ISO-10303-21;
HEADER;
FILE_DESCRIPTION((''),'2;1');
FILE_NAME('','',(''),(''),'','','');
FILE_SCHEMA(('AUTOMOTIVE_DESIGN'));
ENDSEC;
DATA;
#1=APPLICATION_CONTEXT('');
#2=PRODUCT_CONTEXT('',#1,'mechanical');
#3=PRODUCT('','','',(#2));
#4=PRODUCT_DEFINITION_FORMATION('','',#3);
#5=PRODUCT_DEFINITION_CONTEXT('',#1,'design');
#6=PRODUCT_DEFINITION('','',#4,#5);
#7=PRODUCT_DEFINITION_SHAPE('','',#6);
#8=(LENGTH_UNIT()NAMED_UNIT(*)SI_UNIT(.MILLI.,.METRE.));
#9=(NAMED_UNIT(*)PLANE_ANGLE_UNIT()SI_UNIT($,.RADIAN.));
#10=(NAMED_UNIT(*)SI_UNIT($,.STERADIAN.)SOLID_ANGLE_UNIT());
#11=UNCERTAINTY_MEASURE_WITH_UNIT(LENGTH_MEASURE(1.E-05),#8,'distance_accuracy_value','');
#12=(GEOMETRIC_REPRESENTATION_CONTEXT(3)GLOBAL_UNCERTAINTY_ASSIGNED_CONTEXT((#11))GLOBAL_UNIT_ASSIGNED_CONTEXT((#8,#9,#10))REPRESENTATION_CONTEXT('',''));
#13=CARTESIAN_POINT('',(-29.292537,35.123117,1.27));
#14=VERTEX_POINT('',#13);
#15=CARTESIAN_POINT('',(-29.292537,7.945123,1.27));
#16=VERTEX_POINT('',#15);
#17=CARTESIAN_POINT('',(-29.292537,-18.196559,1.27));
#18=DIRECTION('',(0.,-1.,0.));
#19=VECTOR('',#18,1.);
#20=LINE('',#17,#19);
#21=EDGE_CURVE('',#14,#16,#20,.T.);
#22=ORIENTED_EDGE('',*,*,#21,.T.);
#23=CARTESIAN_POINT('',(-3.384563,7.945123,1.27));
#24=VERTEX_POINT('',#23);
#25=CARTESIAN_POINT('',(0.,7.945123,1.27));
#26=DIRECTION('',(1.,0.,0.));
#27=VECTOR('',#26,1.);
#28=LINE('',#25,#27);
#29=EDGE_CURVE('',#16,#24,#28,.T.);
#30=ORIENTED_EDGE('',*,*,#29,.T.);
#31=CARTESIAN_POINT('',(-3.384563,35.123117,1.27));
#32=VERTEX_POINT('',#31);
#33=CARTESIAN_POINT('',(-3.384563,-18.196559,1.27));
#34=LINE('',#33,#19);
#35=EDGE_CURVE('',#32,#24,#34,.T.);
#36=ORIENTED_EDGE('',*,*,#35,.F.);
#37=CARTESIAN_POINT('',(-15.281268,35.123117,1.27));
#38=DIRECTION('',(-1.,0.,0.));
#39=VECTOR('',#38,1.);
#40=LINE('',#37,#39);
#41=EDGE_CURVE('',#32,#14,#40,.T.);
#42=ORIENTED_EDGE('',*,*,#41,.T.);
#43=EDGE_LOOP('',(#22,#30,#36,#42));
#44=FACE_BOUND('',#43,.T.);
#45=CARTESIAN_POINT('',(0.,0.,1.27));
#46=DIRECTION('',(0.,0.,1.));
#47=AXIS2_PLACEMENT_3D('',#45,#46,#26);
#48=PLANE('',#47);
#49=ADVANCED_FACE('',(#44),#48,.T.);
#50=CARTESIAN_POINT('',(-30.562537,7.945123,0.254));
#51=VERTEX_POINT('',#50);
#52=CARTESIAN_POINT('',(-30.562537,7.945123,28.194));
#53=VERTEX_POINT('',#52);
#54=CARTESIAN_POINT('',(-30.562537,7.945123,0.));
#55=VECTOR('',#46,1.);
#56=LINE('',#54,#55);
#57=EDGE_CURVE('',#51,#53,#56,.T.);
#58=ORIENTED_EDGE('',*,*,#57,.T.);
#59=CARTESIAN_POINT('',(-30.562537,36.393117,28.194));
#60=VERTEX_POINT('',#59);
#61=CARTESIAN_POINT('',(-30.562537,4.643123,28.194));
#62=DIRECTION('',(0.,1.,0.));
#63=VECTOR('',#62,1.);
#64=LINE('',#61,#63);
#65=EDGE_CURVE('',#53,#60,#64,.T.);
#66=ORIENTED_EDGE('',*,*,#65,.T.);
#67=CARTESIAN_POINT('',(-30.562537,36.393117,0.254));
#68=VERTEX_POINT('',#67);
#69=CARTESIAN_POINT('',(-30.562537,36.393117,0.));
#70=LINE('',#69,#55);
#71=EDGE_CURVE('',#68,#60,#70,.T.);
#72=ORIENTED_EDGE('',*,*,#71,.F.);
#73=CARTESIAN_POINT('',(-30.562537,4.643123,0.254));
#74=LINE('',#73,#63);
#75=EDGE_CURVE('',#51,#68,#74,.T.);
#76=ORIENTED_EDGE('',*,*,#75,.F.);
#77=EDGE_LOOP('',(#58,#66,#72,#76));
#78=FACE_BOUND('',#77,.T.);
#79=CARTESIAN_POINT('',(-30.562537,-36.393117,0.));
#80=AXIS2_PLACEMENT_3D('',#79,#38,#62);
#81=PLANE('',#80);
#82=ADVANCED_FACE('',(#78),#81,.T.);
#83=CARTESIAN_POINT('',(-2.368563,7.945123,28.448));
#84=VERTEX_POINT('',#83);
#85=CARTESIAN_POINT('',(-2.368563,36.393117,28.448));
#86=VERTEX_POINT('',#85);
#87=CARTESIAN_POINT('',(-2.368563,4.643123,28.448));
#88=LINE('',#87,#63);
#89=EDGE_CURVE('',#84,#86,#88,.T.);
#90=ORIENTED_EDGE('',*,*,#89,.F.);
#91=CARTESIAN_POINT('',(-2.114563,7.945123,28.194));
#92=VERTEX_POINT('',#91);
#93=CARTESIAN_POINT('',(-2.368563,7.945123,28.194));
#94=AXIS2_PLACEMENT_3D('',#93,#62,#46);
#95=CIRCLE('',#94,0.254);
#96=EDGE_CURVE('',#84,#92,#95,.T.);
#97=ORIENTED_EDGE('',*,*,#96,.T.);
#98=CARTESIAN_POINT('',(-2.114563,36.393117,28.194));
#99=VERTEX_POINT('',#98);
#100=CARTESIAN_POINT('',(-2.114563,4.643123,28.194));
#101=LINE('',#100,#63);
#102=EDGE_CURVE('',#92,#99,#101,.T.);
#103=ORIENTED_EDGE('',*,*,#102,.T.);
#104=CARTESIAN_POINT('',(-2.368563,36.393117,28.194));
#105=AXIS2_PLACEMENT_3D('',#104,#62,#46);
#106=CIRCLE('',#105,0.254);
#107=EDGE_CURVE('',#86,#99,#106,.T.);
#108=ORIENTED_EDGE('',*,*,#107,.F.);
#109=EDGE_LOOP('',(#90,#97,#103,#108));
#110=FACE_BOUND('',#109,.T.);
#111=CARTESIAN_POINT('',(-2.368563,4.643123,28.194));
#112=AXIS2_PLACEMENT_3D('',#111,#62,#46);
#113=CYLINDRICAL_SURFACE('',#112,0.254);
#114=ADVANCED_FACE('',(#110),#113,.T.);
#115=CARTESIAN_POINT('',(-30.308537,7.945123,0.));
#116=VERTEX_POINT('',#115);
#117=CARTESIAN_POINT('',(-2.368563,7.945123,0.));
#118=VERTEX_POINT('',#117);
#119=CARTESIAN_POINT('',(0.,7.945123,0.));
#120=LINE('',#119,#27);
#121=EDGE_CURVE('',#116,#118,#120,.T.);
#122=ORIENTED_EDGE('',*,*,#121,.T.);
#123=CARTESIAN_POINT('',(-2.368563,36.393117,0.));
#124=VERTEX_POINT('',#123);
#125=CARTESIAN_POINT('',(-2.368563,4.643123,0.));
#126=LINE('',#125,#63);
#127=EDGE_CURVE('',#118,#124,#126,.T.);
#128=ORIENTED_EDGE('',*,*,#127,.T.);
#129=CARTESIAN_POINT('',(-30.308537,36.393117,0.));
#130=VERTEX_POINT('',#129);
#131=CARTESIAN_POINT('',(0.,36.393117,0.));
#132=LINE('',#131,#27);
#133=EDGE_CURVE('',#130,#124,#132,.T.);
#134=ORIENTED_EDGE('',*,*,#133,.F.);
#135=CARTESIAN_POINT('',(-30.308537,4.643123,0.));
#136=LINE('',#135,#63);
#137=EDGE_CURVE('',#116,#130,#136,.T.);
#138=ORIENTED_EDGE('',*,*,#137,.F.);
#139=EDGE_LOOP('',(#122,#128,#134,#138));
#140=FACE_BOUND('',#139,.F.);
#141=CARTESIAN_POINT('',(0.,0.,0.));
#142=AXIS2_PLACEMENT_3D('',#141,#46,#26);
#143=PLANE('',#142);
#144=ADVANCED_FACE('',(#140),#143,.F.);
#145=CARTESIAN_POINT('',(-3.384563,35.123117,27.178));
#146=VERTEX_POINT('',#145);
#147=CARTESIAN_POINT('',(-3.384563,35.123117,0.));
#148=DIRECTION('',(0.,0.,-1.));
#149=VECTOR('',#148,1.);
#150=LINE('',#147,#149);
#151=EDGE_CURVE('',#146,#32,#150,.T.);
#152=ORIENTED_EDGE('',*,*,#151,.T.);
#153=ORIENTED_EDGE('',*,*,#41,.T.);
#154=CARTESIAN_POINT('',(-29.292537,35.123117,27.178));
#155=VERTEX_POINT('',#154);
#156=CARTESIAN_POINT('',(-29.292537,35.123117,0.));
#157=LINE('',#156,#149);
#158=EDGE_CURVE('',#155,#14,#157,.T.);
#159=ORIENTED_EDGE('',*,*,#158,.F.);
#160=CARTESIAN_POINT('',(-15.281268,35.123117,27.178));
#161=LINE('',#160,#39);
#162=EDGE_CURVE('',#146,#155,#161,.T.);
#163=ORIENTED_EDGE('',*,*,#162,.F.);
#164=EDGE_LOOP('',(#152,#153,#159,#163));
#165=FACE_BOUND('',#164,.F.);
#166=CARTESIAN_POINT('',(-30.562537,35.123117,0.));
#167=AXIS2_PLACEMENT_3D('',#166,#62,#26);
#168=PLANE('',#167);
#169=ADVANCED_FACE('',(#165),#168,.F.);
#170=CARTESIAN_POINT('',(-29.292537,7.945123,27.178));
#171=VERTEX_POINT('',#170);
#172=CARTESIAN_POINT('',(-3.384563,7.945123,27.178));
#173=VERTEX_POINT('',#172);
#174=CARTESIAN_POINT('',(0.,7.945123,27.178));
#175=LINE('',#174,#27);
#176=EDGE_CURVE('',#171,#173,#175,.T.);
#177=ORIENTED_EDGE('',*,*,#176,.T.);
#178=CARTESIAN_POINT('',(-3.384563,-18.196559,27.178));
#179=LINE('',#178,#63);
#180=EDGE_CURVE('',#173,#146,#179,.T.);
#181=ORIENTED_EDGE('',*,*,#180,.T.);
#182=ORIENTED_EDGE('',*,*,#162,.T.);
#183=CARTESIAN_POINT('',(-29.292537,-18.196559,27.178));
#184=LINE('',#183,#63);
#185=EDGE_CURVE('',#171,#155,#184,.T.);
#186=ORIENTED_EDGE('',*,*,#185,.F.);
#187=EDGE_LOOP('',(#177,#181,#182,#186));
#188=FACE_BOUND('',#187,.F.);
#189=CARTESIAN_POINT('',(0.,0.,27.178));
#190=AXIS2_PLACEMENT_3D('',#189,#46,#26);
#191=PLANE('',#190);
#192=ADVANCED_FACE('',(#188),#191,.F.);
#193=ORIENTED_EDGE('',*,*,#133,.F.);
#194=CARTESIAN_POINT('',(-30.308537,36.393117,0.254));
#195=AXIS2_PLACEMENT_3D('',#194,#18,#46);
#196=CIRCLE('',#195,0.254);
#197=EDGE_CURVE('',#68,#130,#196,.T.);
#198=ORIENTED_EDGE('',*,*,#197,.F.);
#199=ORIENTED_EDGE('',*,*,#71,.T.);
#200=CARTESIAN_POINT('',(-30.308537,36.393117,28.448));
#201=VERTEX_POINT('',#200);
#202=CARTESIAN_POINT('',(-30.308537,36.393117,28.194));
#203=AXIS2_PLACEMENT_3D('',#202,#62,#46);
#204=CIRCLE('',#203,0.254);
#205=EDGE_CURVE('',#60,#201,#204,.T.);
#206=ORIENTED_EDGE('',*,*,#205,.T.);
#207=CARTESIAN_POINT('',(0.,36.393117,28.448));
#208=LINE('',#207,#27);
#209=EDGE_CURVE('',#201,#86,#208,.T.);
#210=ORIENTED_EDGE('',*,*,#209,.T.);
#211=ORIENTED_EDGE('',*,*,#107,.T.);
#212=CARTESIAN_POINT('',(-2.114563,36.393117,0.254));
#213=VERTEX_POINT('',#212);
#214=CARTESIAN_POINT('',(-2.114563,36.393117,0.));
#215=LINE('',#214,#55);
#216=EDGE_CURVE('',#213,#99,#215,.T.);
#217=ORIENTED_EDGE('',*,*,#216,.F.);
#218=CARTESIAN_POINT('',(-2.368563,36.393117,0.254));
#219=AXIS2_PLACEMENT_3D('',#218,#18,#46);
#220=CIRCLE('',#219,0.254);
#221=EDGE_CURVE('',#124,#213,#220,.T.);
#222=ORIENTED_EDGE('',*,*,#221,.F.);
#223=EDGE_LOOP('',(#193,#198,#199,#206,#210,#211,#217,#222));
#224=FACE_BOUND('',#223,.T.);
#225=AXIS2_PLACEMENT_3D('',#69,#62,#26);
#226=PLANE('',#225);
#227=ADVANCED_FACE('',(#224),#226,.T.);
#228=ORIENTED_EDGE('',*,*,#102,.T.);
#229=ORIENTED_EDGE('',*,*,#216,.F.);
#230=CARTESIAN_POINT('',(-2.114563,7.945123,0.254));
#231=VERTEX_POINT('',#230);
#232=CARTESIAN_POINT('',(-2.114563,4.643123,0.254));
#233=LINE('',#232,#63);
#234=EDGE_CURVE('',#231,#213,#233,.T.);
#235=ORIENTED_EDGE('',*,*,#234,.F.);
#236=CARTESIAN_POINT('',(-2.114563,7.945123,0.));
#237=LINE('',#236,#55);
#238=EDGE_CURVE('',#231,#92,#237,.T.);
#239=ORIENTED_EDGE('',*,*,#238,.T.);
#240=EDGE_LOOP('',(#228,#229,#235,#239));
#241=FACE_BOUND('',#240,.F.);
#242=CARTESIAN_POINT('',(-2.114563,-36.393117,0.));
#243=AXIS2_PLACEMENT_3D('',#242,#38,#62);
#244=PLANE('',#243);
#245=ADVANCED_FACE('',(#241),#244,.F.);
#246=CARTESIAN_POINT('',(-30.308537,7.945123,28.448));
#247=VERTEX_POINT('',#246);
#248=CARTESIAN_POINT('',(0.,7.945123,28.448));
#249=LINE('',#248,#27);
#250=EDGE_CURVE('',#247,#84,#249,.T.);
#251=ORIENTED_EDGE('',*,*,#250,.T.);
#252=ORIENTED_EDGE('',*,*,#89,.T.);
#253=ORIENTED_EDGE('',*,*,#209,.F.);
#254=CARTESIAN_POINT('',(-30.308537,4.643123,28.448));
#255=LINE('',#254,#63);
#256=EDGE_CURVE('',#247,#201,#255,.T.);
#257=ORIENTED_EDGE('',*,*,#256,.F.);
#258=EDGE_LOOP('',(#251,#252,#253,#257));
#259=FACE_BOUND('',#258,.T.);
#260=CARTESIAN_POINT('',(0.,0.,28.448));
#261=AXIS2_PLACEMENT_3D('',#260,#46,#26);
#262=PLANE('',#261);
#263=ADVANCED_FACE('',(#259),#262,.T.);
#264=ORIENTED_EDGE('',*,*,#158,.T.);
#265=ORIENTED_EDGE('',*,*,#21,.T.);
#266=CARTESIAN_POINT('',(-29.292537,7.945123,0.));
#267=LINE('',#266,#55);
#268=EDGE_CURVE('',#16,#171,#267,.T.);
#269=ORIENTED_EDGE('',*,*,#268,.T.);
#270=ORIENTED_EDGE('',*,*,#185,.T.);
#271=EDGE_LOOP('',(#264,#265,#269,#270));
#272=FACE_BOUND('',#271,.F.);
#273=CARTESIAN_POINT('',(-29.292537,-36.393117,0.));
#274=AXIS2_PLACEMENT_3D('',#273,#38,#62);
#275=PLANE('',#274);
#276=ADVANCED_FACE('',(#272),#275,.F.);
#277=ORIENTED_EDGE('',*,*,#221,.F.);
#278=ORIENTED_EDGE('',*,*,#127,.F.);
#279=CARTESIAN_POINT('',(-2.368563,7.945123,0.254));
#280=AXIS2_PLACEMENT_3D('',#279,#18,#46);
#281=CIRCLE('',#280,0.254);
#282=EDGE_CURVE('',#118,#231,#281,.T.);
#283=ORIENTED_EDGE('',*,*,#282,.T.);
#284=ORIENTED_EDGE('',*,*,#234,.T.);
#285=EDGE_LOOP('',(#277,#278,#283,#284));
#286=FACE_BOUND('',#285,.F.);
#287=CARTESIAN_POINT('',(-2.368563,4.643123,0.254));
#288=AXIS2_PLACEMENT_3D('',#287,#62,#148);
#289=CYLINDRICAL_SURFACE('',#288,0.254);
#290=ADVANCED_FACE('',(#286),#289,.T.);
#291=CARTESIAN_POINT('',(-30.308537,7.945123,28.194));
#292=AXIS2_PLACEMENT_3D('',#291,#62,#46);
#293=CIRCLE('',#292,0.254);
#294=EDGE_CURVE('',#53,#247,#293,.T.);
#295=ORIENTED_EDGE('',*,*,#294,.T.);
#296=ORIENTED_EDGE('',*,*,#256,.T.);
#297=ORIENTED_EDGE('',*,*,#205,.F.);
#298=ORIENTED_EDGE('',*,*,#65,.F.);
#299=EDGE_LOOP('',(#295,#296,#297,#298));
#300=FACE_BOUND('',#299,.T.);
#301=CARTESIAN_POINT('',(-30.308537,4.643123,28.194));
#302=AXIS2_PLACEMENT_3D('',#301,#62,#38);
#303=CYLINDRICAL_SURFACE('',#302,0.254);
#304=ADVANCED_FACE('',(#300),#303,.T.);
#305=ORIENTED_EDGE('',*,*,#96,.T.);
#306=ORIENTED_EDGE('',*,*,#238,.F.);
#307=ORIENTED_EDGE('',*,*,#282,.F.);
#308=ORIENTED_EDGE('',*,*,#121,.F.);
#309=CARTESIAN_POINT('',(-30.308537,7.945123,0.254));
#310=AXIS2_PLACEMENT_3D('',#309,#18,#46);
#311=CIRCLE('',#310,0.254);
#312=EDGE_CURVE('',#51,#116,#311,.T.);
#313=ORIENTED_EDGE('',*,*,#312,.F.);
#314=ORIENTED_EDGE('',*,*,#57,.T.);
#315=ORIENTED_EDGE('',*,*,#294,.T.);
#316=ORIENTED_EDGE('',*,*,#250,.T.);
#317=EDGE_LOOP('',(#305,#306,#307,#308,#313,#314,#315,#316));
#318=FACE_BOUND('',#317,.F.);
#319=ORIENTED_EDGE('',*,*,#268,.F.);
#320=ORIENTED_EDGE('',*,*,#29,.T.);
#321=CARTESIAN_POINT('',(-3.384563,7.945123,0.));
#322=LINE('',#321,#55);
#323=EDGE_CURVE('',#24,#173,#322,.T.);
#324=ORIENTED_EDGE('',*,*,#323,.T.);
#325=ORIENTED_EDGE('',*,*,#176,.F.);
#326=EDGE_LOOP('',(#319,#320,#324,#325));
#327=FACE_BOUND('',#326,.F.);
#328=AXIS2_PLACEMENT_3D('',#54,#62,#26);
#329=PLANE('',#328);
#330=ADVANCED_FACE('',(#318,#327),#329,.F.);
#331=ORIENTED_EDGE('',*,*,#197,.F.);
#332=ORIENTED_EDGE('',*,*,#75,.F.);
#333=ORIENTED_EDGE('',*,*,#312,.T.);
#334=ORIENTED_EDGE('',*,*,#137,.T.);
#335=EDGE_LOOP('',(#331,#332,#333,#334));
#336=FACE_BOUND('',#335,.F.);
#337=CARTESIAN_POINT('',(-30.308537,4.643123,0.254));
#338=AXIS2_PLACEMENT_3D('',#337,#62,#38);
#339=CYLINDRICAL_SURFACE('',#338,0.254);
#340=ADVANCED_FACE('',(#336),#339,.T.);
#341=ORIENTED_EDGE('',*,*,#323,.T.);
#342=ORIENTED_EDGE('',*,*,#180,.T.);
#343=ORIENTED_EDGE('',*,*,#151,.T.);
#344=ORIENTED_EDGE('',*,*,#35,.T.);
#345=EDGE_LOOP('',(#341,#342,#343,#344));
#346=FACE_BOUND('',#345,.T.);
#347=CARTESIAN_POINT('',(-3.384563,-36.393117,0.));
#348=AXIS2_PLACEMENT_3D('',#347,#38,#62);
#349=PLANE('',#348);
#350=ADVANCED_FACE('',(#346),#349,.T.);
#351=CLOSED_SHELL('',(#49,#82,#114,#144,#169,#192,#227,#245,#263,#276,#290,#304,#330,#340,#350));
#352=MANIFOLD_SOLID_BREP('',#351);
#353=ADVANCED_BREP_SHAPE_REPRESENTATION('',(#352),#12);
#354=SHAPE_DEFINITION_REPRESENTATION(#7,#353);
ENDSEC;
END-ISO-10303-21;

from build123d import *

# Parameters (mm, degrees)
F0_W     = 61.1250735819
F0_H     = 72.7862343192
F1_DEPTH = 28.448
F2_DEPTH = 32.6771
F3_DEPTH = 41.03624
F4_R     = 0.254
F5_T     = -1.27
F6_DEPTH = 3.302


with BuildPart() as f1:
    # F0 (on Top) → F1 (new body)
    with BuildSketch(Plane.XY):
        Rectangle(F0_W, F0_H)
    extrude(amount=F1_DEPTH)

    # F2 (cut): a face of the model
    f2_faces = [f1.faces().sort_by_distance(p)[0] for p in [
        (30.562536791, 0, 14.224),
    ]]
    extrude(f2_faces, amount=-F2_DEPTH, mode=Mode.SUBTRACT)

    # F3 (cut): a face of the model
    f3_faces = [f1.faces().sort_by_distance(p)[0] for p in [
        (-16.33855, -36.3931171596, 14.224),
    ]]
    extrude(f3_faces, amount=-F3_DEPTH, mode=Mode.SUBTRACT)

    # F4
    f4_edges = [f1.edges().sort_by_distance(p)[0] for p in [
        (-2.114563, 20.51812, 28.448),
        (-30.562537, 20.51812, 28.448),
        (-2.114563, 20.51812, 0),
        (-30.562537, 20.51812, 0),
    ]]
    fillet(f4_edges, radius=F4_R)

    # F5
    f5_openings = [f1.faces().sort_by_distance(p)[0] for p in [
        (-16.33855, 4.643123, 14.224),
    ]]
    offset(amount=F5_T, openings=f5_openings)

    # F6 (cut): a face of the model
    f6_faces = [f1.faces().sort_by_distance(p)[0] for p in [
        (-16.33855, 4.6431228404, 0.4023152874),
    ]]
    extrude(f6_faces, amount=-F6_DEPTH, mode=Mode.SUBTRACT)


solid = f1.part
